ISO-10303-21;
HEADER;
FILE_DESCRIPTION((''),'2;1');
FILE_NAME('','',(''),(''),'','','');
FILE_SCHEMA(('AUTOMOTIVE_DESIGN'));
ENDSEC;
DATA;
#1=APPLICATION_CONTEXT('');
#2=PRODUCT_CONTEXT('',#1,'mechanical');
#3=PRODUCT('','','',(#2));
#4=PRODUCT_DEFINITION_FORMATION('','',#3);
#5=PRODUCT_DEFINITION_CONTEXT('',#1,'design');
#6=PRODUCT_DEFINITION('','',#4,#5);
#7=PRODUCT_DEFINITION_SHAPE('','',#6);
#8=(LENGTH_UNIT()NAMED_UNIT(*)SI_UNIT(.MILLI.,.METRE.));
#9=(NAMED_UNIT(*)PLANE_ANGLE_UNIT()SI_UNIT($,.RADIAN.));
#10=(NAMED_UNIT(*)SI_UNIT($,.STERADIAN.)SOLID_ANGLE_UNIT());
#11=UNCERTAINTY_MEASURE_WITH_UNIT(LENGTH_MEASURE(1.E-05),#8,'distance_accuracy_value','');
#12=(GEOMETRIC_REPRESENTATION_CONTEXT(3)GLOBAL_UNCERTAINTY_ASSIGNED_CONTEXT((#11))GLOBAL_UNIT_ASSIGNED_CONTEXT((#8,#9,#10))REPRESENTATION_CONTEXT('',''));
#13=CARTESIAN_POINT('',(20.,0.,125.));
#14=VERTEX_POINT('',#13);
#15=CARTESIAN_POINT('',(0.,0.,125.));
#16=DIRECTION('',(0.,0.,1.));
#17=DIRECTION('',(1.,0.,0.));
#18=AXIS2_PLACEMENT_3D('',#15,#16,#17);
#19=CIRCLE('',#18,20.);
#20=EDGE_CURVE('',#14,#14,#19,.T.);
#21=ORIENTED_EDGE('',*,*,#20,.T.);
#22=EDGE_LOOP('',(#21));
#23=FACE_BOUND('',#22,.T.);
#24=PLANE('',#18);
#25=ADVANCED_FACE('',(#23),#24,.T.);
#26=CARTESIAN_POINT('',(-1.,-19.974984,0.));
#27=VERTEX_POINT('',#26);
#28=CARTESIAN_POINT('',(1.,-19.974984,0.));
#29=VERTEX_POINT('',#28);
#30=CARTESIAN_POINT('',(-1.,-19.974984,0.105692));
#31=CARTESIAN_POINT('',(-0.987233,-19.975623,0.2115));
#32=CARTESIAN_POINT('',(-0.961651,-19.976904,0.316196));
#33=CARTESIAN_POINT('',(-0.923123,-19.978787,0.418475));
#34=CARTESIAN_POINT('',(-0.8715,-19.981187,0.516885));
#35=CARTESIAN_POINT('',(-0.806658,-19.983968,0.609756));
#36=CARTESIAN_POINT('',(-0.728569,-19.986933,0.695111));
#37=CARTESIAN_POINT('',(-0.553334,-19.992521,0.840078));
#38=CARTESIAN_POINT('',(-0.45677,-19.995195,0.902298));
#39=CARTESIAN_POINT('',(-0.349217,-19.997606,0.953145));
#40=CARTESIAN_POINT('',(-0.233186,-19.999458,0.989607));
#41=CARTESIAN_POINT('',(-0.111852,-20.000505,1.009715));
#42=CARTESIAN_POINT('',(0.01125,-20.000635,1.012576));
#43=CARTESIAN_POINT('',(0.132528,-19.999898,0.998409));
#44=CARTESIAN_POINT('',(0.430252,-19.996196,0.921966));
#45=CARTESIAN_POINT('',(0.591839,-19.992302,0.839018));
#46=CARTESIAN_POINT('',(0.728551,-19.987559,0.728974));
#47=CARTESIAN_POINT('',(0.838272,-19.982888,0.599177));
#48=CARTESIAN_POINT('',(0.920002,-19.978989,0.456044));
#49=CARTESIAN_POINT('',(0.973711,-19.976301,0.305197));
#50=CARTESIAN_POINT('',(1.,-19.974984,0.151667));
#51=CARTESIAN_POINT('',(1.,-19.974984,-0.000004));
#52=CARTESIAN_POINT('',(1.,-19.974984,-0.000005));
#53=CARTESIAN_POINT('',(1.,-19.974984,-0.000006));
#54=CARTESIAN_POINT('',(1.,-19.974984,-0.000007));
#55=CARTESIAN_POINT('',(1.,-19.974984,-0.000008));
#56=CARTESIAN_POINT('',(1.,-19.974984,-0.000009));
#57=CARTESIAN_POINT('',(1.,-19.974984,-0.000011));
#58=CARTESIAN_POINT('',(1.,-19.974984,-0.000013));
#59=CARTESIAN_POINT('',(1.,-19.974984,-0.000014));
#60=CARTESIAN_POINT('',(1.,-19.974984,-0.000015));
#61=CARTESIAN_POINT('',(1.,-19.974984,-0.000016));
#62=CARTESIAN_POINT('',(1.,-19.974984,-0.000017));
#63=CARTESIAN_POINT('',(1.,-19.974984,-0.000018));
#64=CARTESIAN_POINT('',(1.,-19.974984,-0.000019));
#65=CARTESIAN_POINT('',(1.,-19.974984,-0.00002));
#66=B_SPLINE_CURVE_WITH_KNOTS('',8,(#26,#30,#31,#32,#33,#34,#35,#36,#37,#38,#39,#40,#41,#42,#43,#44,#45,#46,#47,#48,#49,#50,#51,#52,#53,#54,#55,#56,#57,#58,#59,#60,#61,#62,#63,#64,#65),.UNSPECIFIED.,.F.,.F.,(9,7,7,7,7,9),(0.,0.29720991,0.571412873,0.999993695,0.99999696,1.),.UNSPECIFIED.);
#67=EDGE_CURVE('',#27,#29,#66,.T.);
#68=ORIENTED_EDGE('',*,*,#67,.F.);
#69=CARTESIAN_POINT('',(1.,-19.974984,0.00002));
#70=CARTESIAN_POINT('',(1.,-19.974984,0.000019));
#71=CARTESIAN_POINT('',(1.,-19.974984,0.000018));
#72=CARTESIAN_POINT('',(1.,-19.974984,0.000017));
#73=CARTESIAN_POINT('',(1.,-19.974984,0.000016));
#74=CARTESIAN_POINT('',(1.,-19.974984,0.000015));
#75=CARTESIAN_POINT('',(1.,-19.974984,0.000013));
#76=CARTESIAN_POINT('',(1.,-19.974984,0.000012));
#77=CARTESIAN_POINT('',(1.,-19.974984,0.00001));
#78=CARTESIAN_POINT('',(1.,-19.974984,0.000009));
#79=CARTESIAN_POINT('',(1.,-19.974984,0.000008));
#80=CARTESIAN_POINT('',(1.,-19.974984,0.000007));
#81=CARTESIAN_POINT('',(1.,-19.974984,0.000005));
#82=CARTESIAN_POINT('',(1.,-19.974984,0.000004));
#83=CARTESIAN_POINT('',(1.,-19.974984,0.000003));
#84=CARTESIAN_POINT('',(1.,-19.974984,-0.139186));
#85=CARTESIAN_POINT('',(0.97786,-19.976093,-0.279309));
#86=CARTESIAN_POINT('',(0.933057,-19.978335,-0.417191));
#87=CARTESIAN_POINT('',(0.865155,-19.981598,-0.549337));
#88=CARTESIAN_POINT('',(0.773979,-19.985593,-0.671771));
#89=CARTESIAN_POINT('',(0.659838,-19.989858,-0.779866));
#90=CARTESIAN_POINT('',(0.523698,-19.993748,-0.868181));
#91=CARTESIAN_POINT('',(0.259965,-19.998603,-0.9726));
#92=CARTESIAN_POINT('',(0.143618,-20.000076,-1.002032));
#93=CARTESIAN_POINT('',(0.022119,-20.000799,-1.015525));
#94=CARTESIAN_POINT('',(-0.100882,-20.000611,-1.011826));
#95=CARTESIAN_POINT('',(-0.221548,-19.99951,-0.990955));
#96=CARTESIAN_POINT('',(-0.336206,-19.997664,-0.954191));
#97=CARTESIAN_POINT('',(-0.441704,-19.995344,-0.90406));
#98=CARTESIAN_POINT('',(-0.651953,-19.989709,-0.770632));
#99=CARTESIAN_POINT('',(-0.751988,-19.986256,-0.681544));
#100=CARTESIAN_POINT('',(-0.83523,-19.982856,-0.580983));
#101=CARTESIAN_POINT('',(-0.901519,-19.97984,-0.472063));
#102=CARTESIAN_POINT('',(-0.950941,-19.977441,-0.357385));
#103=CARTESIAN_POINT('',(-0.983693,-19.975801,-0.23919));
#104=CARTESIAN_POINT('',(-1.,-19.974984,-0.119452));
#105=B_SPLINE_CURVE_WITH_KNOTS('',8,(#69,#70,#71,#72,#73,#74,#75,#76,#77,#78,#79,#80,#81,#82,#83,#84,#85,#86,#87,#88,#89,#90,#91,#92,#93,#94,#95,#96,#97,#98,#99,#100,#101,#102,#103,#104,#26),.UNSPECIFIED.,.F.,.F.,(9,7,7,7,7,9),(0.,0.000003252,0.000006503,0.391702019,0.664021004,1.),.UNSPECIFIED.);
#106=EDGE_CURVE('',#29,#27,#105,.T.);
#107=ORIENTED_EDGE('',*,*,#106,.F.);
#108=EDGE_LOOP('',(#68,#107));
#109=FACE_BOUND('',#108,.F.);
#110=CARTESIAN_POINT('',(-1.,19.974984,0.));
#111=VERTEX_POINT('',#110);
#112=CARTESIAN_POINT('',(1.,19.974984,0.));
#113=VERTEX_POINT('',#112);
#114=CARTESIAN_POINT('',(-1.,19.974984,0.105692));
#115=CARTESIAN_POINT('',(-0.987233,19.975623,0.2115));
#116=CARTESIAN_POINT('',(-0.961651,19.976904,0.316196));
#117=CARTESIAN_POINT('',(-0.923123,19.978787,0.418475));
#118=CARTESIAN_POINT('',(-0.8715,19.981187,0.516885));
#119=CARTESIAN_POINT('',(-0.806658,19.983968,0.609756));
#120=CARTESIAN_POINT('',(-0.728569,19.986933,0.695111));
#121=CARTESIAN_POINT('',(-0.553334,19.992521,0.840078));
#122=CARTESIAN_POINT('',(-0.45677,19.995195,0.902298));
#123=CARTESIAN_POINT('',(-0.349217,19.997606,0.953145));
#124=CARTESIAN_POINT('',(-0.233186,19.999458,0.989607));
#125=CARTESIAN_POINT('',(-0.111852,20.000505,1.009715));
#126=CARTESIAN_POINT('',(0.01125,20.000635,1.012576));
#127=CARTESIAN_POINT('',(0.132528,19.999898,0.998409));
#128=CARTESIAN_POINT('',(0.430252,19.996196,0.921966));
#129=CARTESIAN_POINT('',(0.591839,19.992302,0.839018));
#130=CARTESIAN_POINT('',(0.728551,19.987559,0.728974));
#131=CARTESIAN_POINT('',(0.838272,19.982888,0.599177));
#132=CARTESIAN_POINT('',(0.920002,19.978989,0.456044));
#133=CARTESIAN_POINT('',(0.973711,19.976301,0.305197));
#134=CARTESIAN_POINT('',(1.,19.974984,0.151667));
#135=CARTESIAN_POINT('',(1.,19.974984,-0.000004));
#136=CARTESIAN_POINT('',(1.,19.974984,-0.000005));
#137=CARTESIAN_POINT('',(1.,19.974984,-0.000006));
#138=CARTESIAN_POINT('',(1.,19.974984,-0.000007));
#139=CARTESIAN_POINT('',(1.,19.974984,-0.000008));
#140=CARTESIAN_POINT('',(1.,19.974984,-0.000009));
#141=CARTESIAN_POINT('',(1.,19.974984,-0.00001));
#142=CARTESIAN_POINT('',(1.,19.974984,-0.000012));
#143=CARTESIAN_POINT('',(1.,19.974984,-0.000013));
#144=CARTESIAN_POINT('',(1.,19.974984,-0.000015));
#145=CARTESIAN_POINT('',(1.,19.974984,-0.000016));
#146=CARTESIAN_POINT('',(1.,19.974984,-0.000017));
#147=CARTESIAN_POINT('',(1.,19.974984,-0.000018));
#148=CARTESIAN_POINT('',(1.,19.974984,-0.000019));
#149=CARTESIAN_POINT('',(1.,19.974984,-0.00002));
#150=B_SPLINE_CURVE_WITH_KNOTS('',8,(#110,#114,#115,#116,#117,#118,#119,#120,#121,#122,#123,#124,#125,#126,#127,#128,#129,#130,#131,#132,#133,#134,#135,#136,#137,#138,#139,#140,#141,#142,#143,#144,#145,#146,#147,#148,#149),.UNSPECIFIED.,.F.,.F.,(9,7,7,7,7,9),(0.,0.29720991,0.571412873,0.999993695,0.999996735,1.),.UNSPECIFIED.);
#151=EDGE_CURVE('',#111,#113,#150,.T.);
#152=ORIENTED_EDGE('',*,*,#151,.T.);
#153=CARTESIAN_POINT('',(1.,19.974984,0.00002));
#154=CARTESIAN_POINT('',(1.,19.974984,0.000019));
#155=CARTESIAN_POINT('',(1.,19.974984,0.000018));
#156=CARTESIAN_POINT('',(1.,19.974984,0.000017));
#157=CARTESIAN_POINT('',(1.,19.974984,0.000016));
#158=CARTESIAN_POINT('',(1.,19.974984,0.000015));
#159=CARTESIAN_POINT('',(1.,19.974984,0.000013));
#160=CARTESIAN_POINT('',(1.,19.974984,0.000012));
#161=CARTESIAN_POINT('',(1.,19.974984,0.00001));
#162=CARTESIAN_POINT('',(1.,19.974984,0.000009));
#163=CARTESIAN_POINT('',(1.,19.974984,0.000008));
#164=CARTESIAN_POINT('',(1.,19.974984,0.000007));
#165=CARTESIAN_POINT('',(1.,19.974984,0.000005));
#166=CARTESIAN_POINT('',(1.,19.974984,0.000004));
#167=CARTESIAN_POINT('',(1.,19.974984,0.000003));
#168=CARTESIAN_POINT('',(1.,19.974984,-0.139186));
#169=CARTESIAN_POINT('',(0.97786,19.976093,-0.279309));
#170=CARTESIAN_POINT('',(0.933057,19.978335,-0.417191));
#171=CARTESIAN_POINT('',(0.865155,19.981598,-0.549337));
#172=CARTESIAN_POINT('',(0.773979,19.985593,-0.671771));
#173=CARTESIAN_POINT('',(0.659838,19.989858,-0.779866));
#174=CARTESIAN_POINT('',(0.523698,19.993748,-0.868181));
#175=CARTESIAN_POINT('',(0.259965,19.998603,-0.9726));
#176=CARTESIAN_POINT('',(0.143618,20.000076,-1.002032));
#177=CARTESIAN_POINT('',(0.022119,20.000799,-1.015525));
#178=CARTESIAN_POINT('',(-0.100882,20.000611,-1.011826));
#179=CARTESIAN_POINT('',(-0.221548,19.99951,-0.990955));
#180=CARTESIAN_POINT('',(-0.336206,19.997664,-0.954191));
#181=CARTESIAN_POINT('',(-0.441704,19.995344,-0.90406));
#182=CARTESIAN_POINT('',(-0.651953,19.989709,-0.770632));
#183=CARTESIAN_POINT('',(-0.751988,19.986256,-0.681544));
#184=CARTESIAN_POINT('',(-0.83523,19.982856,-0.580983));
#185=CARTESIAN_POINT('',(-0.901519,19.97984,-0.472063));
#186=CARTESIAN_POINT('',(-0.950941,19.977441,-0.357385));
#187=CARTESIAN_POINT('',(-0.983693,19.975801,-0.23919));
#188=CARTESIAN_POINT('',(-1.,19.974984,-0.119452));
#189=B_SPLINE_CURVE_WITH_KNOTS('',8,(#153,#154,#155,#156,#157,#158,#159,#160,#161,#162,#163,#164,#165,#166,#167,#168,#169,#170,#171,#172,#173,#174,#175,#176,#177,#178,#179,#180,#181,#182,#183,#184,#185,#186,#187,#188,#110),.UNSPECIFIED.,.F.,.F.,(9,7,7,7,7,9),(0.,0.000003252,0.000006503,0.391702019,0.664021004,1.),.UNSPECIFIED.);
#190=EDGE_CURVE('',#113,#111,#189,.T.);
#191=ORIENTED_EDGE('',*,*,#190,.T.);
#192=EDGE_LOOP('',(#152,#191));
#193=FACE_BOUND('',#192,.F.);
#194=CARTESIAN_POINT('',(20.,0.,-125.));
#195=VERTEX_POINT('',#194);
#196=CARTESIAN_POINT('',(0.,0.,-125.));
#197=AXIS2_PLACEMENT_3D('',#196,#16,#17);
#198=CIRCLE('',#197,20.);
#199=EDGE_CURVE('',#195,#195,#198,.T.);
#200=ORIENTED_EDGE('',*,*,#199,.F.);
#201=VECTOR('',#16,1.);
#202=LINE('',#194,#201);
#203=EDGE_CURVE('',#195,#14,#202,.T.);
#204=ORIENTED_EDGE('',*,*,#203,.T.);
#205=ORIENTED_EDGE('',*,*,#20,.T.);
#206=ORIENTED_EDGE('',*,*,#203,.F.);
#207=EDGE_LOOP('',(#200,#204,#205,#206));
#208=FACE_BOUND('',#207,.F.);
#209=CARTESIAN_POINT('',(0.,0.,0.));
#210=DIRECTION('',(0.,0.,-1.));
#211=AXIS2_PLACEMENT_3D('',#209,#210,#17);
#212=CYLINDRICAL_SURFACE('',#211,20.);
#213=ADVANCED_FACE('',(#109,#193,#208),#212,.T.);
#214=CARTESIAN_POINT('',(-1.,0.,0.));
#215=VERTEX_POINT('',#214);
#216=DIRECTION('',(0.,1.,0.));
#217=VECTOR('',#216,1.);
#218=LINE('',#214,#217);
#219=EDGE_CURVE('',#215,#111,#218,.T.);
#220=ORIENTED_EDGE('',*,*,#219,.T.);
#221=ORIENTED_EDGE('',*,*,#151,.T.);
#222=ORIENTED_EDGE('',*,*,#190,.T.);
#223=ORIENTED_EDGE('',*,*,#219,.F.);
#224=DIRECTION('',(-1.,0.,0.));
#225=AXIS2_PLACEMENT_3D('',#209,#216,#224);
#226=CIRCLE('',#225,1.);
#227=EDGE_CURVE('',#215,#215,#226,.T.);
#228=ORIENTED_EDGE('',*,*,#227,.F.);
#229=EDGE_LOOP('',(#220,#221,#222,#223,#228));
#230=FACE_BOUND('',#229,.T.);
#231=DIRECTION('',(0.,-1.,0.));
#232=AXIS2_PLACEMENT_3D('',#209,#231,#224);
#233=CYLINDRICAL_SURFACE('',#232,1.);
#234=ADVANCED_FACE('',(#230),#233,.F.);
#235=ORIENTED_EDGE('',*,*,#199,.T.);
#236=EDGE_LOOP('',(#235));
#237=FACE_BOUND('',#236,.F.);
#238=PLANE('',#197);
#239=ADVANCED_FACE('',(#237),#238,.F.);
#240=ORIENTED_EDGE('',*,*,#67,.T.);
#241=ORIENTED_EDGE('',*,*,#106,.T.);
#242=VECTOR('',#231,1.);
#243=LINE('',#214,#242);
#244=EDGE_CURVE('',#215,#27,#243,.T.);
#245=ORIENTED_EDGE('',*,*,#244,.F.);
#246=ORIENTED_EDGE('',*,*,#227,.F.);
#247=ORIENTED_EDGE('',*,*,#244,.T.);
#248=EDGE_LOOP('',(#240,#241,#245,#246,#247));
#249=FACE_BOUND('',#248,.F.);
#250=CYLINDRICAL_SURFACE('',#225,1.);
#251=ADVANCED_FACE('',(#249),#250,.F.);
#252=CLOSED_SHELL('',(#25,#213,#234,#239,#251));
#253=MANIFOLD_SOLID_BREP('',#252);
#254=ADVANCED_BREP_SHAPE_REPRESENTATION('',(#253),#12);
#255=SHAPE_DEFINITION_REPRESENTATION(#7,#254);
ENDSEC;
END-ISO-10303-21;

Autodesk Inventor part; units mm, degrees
ref_plane "YZ Plane" through (0, 0, 0) normal (1, 0, 0) x (0, 1, 0)
ref_plane "XZ Plane" through (0, 0, 0) normal (0, 1, 0) x (-1, 0, 0)
ref_plane "XY Plane" through (0, 0, 0) normal (0, 0, 1) x (1, 0, 0)
sketch "Schizzo1" plane through (0, 0, 0) normal (0, 0, 1) x (1, 0, 0)
  circle A0 centre (0, 0) radius 20
  dimension "d0" = 40
extrude "Estrusione1" add sketch "Schizzo1" along normal mid plane 250
sketch "Schizzo2" plane through (0, 0, 0) normal (0, 1, 0) x (-1, 0, 0)
  circle A0 centre (0, 0) radius 1
  dimension "d3" = 2
extrude "Estrusione2" cut sketch "Schizzo2" along normal through all both and the other way through all
properties part number "05-26-2023 es1 fem verifica"
